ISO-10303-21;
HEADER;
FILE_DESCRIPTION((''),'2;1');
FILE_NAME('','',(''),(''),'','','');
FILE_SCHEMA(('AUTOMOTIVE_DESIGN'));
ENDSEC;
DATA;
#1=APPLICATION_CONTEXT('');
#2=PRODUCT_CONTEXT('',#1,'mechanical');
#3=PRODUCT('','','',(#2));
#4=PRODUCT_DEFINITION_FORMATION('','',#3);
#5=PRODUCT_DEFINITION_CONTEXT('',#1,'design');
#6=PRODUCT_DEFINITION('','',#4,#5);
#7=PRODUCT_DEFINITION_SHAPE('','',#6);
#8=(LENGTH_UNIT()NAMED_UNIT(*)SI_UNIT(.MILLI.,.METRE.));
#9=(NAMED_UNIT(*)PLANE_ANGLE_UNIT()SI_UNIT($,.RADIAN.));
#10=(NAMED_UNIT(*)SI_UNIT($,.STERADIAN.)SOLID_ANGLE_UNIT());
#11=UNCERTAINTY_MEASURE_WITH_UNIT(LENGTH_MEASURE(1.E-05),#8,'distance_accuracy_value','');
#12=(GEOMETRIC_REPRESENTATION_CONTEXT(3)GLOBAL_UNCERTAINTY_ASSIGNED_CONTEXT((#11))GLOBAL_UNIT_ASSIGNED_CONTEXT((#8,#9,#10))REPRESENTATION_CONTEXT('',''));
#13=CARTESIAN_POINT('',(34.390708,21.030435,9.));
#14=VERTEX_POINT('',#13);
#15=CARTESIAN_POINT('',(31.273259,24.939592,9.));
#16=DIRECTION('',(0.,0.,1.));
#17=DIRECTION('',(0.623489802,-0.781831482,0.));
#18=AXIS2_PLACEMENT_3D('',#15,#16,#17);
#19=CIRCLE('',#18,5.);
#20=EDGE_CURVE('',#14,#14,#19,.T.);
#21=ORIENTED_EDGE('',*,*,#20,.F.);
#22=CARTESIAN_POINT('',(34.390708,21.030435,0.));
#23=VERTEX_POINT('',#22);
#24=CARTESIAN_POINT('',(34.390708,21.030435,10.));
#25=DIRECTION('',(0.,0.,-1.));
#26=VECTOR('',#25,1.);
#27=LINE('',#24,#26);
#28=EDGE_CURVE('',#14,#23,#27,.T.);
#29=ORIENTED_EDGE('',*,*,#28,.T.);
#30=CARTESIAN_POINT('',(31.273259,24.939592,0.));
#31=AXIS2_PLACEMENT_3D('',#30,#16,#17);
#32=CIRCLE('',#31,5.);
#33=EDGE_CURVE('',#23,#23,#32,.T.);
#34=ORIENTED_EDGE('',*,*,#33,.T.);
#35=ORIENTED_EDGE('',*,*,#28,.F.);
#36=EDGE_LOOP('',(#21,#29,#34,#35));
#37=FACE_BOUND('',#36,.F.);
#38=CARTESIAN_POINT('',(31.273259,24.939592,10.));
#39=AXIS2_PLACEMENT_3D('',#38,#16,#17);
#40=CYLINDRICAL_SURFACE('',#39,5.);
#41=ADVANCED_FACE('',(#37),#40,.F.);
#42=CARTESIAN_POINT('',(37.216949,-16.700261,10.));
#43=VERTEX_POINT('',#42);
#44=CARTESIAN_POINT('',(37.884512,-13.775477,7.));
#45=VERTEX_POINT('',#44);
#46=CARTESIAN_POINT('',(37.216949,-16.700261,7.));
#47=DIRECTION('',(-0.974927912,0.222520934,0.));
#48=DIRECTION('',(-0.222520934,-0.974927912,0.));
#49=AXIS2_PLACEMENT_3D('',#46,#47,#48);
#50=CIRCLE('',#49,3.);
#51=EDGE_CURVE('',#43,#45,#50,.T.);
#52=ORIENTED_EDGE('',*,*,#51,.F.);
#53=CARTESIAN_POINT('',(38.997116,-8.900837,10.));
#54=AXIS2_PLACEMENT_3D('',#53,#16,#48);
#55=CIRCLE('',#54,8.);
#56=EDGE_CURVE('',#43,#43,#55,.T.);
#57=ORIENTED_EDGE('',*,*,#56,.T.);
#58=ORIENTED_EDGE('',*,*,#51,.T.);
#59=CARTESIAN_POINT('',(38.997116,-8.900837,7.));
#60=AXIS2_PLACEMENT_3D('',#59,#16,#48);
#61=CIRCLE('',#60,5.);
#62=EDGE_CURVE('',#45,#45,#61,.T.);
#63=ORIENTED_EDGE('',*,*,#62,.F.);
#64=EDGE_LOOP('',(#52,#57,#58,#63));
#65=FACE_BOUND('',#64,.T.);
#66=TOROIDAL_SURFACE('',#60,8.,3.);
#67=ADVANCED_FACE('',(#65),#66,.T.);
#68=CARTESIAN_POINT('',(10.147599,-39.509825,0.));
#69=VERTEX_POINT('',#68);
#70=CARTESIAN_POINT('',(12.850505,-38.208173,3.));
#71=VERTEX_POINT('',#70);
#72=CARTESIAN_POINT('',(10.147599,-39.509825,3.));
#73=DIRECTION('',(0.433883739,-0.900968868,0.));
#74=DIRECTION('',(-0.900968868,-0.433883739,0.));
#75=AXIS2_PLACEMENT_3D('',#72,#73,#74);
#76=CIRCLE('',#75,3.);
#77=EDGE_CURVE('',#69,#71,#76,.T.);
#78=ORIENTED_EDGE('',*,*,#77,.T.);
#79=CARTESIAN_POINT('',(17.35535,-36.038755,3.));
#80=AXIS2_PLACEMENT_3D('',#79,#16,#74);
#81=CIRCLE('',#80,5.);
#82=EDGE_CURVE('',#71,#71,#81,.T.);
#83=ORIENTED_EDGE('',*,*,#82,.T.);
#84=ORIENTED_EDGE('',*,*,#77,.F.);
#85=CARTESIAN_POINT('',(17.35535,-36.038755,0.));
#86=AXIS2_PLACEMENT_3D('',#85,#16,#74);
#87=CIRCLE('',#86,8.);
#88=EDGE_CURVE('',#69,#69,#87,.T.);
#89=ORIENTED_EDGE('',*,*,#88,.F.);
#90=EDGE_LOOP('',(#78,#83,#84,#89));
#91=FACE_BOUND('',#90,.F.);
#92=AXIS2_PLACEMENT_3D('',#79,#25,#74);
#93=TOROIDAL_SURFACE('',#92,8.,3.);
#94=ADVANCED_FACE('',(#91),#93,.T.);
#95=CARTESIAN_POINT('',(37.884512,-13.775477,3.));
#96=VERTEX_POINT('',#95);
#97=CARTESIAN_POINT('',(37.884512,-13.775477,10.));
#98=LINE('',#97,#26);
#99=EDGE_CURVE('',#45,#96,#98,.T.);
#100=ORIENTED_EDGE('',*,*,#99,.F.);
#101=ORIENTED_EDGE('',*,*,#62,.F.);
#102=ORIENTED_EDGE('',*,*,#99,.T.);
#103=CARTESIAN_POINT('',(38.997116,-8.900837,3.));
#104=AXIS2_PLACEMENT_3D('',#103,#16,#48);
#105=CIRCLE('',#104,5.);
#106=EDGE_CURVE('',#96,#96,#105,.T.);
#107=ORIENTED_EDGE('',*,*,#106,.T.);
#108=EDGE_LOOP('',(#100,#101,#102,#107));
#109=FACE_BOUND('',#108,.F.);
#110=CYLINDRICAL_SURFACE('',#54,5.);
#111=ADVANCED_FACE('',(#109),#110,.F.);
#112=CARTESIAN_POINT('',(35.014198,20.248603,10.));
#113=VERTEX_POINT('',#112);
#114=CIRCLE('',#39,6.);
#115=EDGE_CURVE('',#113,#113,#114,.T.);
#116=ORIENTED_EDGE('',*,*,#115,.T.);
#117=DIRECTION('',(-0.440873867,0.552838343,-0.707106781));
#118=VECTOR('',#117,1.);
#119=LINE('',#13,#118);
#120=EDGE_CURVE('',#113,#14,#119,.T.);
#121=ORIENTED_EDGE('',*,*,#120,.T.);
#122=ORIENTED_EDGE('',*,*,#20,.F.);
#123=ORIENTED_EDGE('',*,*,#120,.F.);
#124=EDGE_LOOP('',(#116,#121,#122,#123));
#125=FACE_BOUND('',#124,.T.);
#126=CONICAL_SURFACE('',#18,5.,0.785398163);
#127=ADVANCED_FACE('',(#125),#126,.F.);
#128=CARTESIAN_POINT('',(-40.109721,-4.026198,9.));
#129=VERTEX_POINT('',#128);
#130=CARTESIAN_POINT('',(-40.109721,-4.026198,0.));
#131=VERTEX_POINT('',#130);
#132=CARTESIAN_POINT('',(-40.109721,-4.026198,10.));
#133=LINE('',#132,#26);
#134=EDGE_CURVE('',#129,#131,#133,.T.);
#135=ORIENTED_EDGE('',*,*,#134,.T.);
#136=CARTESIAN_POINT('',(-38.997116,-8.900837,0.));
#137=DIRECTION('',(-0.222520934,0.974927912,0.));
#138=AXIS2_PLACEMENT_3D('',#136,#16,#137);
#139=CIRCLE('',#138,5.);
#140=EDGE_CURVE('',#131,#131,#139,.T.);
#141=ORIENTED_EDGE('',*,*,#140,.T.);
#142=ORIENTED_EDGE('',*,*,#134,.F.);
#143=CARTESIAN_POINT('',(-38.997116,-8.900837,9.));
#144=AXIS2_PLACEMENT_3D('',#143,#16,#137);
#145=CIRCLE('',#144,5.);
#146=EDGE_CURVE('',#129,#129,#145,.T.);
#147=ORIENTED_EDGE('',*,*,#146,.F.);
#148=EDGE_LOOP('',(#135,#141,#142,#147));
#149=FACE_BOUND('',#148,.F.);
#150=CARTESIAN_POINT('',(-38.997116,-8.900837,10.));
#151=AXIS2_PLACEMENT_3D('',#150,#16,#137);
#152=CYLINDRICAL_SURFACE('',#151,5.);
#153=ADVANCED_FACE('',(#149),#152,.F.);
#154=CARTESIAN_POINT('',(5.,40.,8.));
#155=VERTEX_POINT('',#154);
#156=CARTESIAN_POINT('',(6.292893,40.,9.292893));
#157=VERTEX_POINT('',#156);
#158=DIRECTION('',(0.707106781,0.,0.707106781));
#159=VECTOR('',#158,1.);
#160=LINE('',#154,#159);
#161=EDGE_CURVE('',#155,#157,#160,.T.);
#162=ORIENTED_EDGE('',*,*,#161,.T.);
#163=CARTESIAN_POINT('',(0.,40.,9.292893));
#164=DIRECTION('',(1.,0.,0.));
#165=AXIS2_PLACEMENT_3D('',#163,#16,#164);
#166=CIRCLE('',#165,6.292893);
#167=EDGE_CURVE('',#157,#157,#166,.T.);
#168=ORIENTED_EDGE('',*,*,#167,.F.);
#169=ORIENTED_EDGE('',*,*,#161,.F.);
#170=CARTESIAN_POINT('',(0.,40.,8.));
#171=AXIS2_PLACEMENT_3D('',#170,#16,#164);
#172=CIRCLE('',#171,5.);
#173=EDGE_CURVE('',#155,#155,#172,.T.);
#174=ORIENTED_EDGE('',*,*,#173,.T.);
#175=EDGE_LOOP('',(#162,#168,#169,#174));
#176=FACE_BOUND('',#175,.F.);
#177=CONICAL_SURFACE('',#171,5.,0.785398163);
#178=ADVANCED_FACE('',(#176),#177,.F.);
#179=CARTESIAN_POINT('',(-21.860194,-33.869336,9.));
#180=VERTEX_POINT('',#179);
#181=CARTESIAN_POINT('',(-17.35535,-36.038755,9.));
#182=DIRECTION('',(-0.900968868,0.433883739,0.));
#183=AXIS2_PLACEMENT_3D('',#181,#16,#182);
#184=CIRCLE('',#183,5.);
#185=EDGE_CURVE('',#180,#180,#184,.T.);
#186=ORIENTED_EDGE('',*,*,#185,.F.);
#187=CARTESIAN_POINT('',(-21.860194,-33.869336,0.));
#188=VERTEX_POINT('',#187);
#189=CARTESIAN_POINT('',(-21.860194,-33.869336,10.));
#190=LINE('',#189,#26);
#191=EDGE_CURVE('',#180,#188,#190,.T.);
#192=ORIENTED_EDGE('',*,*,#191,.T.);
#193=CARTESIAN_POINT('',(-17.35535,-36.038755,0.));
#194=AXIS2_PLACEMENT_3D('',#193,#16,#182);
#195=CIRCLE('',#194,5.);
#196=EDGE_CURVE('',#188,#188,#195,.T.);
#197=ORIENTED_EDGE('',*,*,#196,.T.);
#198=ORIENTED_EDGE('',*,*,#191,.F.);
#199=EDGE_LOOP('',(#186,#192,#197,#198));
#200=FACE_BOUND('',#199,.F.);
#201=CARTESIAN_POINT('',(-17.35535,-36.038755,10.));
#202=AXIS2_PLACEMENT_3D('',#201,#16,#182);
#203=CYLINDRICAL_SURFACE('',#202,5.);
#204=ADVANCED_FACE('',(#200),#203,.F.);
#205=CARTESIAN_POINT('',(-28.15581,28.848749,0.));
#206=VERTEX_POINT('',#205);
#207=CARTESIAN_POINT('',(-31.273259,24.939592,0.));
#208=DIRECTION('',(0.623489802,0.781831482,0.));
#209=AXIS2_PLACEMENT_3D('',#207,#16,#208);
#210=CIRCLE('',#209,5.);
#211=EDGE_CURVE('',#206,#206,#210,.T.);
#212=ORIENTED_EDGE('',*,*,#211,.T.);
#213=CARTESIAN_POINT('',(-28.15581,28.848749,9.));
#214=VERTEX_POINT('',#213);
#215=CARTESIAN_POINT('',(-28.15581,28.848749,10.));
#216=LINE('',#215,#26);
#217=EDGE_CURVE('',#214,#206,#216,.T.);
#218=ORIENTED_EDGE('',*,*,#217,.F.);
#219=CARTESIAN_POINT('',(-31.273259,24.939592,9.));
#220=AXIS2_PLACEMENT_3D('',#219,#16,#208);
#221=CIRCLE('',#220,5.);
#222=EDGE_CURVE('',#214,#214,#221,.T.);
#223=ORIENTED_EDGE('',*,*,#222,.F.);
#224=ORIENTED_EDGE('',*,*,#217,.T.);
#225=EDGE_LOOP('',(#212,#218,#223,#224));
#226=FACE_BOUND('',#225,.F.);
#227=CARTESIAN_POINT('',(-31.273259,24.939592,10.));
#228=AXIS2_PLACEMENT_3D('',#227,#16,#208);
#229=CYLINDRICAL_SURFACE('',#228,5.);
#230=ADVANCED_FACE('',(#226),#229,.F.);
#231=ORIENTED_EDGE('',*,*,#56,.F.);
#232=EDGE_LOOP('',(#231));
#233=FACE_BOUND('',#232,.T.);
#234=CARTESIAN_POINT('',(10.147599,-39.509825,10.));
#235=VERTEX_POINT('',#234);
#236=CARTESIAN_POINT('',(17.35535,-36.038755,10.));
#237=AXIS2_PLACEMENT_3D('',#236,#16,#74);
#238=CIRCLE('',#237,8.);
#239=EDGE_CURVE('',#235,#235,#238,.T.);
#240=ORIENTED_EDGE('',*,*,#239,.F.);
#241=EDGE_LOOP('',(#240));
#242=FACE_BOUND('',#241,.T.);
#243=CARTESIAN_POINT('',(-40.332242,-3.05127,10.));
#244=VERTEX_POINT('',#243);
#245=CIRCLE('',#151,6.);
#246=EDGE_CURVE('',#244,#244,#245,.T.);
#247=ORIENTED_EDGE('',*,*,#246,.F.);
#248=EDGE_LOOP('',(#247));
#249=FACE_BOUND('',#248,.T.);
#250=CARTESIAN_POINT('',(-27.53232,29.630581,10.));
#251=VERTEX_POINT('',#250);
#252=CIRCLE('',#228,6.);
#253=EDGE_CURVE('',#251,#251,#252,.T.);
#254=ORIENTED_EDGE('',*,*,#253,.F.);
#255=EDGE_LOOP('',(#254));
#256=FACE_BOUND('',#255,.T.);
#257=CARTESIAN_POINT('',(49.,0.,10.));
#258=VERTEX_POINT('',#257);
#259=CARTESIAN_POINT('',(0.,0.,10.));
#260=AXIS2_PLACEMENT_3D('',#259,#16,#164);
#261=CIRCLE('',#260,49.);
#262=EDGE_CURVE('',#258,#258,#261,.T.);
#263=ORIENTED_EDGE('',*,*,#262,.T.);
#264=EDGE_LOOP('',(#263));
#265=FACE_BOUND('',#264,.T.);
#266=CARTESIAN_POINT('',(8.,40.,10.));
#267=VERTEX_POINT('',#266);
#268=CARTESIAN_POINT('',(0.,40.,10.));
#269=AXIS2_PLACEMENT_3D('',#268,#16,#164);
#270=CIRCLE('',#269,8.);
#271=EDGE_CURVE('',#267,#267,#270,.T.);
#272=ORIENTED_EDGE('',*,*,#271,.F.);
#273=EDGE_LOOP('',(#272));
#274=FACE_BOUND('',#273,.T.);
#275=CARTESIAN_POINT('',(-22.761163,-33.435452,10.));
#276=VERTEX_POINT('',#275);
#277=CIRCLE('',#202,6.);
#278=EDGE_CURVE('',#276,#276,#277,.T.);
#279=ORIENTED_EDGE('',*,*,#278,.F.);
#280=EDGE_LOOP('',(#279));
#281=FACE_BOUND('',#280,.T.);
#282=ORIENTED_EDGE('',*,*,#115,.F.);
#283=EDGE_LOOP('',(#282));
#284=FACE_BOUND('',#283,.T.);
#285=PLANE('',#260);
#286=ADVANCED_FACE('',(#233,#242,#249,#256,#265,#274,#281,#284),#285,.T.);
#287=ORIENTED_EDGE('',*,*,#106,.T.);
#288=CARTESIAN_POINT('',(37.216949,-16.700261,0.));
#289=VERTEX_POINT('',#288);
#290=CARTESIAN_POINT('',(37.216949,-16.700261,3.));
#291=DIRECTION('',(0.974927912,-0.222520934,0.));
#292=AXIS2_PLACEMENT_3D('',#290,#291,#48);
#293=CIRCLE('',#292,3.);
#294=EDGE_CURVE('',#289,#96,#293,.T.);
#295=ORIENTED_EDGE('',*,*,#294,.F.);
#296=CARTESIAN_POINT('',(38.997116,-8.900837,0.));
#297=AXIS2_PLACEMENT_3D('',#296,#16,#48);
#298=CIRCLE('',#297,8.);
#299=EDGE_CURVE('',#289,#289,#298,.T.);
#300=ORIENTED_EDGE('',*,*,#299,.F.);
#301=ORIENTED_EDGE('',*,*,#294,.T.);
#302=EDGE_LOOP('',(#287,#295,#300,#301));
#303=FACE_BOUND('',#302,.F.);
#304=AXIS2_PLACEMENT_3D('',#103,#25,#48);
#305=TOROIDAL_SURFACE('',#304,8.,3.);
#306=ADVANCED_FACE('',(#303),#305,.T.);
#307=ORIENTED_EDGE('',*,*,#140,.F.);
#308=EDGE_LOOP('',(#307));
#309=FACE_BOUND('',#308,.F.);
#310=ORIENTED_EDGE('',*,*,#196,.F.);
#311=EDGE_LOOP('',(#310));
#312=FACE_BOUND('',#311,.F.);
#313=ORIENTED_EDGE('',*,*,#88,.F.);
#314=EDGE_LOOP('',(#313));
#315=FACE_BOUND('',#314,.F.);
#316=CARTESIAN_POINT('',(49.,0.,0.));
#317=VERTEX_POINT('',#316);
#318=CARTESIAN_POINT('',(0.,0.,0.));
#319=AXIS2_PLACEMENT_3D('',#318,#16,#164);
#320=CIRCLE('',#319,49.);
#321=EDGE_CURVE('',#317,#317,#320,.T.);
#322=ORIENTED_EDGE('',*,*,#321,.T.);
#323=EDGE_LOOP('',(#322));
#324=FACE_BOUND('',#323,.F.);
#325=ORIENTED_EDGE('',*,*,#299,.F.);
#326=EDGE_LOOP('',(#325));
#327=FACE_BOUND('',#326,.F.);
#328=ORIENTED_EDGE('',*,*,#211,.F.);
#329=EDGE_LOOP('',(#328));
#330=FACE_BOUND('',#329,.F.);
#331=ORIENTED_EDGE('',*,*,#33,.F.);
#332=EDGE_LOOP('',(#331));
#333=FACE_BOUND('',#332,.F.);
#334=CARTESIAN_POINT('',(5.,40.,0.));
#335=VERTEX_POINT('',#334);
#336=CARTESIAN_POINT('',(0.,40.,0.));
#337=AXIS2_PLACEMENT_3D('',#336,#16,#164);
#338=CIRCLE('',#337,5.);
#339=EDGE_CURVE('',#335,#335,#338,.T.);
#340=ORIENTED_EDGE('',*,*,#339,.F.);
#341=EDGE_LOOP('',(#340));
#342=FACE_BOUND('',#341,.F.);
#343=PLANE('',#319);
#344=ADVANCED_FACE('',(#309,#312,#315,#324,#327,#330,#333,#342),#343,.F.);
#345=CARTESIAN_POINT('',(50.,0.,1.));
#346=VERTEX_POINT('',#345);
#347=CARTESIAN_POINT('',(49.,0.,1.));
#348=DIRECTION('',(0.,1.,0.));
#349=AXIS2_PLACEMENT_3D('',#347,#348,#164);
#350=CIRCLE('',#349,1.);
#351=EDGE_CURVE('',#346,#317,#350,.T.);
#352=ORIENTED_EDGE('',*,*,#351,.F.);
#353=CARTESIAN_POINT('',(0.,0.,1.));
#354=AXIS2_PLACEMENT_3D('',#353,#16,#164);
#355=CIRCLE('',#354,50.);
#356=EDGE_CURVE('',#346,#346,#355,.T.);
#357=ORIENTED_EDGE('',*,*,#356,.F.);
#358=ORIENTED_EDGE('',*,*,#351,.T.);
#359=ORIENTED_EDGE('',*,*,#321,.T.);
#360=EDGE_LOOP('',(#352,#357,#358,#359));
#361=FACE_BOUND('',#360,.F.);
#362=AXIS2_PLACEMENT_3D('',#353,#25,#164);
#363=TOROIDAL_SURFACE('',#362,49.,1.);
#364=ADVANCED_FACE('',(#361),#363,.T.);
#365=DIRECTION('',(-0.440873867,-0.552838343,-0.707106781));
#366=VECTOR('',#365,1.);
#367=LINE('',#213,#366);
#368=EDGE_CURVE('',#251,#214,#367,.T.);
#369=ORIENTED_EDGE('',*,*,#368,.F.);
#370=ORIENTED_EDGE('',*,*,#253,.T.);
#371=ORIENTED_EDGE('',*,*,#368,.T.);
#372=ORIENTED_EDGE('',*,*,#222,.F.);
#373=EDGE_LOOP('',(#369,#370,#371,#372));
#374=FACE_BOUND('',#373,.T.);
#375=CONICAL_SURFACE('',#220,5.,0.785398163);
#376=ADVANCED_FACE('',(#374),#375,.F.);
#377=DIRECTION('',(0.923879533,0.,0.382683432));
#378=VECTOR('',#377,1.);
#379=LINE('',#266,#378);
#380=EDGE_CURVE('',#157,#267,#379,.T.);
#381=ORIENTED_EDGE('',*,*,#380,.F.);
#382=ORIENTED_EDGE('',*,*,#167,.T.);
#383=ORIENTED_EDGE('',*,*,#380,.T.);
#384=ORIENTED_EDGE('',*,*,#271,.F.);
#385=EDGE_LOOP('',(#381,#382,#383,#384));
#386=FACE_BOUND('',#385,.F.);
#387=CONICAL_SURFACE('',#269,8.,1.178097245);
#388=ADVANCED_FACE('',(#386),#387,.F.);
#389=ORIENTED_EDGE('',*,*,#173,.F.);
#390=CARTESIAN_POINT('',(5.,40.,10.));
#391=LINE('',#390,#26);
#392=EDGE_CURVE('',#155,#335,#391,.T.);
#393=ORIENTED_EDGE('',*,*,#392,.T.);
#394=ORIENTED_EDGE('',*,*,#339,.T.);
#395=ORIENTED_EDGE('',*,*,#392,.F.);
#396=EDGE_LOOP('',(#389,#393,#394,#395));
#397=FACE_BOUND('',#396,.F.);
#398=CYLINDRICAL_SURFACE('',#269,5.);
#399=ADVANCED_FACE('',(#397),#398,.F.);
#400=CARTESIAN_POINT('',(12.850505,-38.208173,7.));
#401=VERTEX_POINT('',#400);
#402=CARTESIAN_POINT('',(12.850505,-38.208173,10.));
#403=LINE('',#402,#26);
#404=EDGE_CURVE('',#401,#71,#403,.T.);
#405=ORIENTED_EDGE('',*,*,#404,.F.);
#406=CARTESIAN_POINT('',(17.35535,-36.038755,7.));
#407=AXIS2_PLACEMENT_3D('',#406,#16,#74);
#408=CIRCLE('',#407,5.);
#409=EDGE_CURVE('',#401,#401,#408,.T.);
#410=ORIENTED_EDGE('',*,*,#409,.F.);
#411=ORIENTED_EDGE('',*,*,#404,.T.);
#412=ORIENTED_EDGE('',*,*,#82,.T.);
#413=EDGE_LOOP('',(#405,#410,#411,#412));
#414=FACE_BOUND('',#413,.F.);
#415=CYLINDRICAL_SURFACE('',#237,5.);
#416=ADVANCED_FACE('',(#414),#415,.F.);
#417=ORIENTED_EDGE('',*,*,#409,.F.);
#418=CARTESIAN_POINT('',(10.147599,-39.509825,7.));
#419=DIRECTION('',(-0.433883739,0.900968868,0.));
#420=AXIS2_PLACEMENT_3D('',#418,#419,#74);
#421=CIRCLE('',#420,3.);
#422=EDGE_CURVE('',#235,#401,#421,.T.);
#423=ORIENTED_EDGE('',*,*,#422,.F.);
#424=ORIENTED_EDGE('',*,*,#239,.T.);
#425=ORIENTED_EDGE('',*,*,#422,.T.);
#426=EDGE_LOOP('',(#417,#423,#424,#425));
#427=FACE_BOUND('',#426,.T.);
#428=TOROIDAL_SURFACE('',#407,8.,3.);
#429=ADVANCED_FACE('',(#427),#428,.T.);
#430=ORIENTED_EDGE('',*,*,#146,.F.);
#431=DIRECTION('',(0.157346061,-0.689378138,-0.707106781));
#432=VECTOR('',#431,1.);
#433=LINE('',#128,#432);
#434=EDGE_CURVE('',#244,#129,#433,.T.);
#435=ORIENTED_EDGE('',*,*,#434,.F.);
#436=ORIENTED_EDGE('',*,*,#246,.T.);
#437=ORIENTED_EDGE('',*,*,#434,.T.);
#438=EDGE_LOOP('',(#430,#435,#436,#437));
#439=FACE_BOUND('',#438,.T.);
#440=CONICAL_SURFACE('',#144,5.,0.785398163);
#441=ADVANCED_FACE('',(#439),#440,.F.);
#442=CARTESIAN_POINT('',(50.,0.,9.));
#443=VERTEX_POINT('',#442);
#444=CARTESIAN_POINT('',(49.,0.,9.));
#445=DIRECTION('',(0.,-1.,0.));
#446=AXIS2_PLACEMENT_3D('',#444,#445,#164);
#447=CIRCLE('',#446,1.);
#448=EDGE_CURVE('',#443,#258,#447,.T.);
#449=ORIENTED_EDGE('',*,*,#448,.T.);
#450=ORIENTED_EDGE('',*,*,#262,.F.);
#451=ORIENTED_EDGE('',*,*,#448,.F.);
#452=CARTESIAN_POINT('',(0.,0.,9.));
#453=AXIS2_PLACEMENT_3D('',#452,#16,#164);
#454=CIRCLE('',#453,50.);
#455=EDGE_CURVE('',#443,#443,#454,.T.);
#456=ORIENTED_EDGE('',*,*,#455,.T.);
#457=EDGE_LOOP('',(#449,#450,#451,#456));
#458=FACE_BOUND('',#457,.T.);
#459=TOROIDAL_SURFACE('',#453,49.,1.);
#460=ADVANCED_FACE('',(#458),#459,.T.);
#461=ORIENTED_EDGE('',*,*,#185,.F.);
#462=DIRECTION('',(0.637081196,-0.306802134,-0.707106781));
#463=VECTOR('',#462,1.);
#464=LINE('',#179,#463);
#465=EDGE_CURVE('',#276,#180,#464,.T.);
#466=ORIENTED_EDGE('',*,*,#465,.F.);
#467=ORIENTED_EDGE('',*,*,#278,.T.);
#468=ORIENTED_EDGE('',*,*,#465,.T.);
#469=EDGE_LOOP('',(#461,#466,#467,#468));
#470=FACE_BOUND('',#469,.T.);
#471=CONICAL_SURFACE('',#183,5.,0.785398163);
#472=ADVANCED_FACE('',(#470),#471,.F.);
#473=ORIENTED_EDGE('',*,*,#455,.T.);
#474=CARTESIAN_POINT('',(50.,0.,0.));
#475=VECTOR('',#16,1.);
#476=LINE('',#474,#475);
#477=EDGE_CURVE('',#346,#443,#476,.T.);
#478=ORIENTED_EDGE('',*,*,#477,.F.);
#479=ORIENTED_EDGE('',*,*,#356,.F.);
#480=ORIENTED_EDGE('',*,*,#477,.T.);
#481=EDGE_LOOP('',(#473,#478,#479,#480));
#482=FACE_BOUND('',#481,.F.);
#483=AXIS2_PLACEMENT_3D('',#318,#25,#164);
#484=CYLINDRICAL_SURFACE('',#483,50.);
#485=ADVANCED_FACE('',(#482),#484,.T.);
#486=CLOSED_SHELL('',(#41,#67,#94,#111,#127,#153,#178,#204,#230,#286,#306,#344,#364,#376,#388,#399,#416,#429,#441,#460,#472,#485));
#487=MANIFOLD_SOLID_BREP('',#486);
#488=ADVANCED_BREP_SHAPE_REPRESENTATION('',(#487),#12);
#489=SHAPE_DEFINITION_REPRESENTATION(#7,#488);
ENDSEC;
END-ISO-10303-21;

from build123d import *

# Parameters (mm, degrees)
SKETCH_R           = 50
PAD_DEPTH          = 10
SKETCH001_R        = 5
POCKET_DEPTH       = 293.549938
POLARPATTERN_COUNT = 7
FILLET_R           = 1
FILLET001_R        = 3
CHAMFER_SIZE       = 2
CHAMFER001_SIZE    = 1


with BuildPart() as part:
    # Sketch → Pad (new body)
    with BuildSketch(Plane.XY):
        Circle(SKETCH_R)
    extrude(amount=PAD_DEPTH)

    # Sketch001 (on Face3 of Pad) → Pocket (cut, through all)
    with BuildSketch(Plane.XY.offset(10)):
        with Locations((0, 40)):
            Circle(SKETCH001_R)
    pocket = extrude(amount=-POCKET_DEPTH, mode=Mode.SUBTRACT)

    # PolarPattern: Pocket ×7 about axis
    polarpattern_axis = Axis((0, 0, 10), (0, 0, 1))
    for i in range(1, POLARPATTERN_COUNT):
        add(pocket.rotate(polarpattern_axis, i * 360 / POLARPATTERN_COUNT), mode=Mode.SUBTRACT)

    # Fillet
    fillet_edges = [part.edges().sort_by_distance(p)[0] for p in [
        (-50, 0, 10),
        (-50, 0, 0),
    ]]
    fillet(fillet_edges, radius=FILLET_R)

    # Fillet001
    fillet001_edges = [part.edges().sort_by_distance(p)[0] for p in [
        (21.860194, -33.869336, 10),
        (21.860194, -33.869336, 0),
        (40.109721, -4.026198, 0),
        (40.109721, -4.026198, 10),
    ]]
    fillet(fillet001_edges, radius=FILLET001_R)

    # Chamfer
    chamfer_edges = [part.edges().sort_by_distance(p)[0] for p in [
        (-5, 40, 10),
    ]]
    chamfer(chamfer_edges, length=CHAMFER_SIZE)

    # Chamfer001
    chamfer001_edges = [part.edges().sort_by_distance(p)[0] for p in [
        (-7, 40, 10),
        (24.563101, -32.567685, 10),
        (-49, 0, 10),
        (-12.850505, -38.208173, 10),
        (-37.884512, -13.775477, 10),
        (-34.390708, 21.030435, 10),
        (28.15581, 28.848749, 10),
        (40.777284, -1.101414, 10),
    ]]
    chamfer(chamfer001_edges, length=CHAMFER001_SIZE)


solid = part.part
